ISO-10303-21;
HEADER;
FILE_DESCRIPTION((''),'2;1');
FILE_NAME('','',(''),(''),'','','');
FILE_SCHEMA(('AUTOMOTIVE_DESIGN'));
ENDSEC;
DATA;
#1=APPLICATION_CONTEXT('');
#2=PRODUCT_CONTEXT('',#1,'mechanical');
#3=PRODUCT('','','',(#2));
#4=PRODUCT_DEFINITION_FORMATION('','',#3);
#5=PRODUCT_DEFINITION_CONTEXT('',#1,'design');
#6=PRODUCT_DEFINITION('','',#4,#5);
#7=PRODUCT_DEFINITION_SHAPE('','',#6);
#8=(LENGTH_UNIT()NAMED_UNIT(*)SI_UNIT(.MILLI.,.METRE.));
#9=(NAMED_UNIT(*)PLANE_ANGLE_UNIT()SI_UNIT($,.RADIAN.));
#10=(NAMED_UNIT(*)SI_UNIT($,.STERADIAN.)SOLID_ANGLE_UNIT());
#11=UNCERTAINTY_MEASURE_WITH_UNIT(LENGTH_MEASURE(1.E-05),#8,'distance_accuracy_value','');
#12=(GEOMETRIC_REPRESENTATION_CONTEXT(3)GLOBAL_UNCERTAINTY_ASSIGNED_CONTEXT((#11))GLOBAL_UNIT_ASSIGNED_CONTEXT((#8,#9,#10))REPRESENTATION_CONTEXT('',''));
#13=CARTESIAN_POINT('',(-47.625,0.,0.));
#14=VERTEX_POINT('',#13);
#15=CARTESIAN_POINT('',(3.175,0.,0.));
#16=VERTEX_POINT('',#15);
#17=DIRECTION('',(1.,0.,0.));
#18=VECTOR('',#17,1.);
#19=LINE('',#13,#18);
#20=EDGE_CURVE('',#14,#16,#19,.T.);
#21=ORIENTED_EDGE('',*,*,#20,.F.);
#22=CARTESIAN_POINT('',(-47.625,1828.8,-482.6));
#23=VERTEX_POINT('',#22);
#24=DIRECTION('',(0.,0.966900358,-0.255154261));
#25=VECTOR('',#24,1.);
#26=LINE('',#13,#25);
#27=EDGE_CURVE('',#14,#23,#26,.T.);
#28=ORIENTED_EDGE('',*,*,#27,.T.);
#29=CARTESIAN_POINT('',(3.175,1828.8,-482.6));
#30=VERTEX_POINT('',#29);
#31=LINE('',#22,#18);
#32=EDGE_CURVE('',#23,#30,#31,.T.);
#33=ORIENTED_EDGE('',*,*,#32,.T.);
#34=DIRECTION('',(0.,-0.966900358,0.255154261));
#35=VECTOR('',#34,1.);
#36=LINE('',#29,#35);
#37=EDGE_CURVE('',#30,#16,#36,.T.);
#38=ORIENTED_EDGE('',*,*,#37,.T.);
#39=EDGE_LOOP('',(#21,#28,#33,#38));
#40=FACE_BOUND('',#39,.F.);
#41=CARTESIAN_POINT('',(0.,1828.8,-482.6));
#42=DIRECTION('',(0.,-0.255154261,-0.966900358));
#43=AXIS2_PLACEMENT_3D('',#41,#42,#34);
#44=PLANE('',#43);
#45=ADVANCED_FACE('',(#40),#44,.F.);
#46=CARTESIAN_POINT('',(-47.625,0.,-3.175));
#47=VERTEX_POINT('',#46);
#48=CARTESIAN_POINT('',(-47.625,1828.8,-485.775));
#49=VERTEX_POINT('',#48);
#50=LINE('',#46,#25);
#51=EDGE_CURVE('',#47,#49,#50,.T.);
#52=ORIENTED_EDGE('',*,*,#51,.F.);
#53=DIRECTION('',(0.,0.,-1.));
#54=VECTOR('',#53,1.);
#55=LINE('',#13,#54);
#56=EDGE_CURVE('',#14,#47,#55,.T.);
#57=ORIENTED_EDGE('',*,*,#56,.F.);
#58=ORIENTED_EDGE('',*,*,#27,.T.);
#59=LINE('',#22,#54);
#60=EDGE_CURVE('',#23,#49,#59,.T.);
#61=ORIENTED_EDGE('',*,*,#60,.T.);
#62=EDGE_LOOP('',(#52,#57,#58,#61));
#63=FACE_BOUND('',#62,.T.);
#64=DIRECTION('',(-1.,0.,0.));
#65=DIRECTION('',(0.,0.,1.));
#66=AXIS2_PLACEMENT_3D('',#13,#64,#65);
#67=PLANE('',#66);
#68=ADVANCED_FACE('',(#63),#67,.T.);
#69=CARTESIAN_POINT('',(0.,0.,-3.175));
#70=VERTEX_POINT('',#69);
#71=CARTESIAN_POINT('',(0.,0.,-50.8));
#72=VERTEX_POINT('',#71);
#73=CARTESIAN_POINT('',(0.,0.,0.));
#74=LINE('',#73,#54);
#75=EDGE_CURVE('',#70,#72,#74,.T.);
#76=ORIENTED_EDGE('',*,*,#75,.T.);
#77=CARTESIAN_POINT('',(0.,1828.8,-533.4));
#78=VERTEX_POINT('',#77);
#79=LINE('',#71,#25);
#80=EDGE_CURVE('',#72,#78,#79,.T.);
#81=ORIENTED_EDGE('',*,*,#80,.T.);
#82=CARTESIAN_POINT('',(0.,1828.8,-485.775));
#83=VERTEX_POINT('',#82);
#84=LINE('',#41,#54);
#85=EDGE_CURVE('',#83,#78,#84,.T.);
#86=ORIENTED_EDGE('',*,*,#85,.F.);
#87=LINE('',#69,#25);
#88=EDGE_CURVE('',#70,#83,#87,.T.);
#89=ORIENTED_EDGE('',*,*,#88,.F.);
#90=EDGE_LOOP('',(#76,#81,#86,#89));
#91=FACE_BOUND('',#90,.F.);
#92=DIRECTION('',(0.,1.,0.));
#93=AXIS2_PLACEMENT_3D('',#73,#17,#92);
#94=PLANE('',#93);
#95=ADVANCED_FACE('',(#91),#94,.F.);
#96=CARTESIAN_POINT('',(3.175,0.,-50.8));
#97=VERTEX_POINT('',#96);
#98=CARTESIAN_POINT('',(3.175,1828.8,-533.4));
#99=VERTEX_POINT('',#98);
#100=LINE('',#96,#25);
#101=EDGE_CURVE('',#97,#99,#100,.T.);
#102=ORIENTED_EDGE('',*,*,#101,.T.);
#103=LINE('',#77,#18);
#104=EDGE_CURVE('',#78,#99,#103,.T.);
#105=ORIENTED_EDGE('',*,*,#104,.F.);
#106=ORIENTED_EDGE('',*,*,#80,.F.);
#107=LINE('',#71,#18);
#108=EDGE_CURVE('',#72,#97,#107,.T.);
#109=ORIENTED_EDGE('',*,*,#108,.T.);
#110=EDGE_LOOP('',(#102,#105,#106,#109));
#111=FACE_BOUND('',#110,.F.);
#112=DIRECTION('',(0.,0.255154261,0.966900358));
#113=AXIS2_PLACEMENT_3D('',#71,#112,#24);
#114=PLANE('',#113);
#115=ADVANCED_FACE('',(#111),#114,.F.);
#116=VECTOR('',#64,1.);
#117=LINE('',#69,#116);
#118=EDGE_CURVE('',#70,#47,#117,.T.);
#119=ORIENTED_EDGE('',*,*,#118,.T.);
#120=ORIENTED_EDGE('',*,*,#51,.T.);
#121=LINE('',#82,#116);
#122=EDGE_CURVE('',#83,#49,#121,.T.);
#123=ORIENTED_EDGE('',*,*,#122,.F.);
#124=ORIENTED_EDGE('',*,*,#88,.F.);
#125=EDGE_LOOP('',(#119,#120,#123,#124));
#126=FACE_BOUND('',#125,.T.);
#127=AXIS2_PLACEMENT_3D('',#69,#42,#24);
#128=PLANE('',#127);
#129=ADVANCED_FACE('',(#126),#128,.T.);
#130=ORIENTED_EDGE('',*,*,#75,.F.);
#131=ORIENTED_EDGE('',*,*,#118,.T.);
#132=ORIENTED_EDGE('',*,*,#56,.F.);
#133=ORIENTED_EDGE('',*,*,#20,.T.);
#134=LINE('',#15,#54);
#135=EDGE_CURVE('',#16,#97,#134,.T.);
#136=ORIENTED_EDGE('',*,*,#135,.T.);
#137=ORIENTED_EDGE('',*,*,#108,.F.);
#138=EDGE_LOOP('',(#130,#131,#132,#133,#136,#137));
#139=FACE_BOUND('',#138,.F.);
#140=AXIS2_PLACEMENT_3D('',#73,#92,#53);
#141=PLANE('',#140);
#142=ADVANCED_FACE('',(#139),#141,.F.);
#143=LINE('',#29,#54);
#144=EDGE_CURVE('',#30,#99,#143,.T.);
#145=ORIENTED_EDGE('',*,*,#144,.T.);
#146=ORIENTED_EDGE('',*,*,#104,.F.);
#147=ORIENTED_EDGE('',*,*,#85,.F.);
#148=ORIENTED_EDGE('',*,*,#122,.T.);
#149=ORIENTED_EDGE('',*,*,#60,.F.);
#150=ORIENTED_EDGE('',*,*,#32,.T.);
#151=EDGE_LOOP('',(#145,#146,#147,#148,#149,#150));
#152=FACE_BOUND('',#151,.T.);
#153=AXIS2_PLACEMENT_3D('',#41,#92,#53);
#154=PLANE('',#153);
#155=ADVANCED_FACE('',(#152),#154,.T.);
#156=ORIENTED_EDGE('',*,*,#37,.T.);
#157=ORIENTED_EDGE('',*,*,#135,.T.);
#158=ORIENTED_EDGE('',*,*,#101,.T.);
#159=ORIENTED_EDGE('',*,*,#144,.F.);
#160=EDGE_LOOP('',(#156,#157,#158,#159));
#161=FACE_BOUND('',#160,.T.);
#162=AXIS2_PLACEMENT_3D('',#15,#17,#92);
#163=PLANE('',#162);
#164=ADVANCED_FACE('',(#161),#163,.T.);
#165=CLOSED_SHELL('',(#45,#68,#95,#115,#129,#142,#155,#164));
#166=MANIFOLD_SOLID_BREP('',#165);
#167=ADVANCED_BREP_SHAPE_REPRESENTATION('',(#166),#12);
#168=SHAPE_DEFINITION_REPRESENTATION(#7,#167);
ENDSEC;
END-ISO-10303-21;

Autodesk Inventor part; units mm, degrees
ref_plane "YZ Plane" through (0, 0, 0) normal (1, 0, 0) x (0, 1, 0)
ref_plane "XZ Plane" through (0, 0, 0) normal (0, 1, 0) x (-1, 0, 0)
ref_plane "XY Plane" through (0, 0, 0) normal (0, 0, 1) x (1, 0, 0)
sketch "Sketch1" plane through (0, 0, 0) normal (1, 0, 0) x (0, 1, 0)
  line L0 (1828.8, -482.6) -> (0, 0)
  line L1 (1828.8, -482.6) -> (1828.8, -533.4)
  line L2 (0, 0) -> (0, -50.8)
  line L3 (0, -50.8) -> (1828.8, -533.4)
  dimension "d3" = 50.8
  dimension "d4" = 50.8
extrude "Extrusion1" add sketch "Sketch1" along normal blind 3.175
sketch "Sketch2" plane through (0, 0, 0) normal (-1, 0, 0) x (0, 0, 1)
  line L0 (0, 0) -> (-482.6, 1828.8)
  line L1 (-482.6, 1828.8) -> (0, 0) projected
  line L2 (-482.6, 1828.8) -> (-485.775, 1828.8)
  line L3 (-533.4, 1828.8) -> (-482.6, 1828.8) projected
  line L4 (0, 0) -> (-3.175, 0)
  line L5 (0, 0) -> (-50.8, 0) projected
  line L6 (-50.8, 0) -> (-533.4, 1828.8) projected
  line L7 (-3.175, 0) -> (-485.775, 1828.8)
  dimension "d7" = 3.175
  dimension "d8" = 3.175
extrude "Extrusion2" add sketch "Sketch2" along normal blind 47.625 contours L4 L7 L2 L0
properties part number "Front Left Beam"
